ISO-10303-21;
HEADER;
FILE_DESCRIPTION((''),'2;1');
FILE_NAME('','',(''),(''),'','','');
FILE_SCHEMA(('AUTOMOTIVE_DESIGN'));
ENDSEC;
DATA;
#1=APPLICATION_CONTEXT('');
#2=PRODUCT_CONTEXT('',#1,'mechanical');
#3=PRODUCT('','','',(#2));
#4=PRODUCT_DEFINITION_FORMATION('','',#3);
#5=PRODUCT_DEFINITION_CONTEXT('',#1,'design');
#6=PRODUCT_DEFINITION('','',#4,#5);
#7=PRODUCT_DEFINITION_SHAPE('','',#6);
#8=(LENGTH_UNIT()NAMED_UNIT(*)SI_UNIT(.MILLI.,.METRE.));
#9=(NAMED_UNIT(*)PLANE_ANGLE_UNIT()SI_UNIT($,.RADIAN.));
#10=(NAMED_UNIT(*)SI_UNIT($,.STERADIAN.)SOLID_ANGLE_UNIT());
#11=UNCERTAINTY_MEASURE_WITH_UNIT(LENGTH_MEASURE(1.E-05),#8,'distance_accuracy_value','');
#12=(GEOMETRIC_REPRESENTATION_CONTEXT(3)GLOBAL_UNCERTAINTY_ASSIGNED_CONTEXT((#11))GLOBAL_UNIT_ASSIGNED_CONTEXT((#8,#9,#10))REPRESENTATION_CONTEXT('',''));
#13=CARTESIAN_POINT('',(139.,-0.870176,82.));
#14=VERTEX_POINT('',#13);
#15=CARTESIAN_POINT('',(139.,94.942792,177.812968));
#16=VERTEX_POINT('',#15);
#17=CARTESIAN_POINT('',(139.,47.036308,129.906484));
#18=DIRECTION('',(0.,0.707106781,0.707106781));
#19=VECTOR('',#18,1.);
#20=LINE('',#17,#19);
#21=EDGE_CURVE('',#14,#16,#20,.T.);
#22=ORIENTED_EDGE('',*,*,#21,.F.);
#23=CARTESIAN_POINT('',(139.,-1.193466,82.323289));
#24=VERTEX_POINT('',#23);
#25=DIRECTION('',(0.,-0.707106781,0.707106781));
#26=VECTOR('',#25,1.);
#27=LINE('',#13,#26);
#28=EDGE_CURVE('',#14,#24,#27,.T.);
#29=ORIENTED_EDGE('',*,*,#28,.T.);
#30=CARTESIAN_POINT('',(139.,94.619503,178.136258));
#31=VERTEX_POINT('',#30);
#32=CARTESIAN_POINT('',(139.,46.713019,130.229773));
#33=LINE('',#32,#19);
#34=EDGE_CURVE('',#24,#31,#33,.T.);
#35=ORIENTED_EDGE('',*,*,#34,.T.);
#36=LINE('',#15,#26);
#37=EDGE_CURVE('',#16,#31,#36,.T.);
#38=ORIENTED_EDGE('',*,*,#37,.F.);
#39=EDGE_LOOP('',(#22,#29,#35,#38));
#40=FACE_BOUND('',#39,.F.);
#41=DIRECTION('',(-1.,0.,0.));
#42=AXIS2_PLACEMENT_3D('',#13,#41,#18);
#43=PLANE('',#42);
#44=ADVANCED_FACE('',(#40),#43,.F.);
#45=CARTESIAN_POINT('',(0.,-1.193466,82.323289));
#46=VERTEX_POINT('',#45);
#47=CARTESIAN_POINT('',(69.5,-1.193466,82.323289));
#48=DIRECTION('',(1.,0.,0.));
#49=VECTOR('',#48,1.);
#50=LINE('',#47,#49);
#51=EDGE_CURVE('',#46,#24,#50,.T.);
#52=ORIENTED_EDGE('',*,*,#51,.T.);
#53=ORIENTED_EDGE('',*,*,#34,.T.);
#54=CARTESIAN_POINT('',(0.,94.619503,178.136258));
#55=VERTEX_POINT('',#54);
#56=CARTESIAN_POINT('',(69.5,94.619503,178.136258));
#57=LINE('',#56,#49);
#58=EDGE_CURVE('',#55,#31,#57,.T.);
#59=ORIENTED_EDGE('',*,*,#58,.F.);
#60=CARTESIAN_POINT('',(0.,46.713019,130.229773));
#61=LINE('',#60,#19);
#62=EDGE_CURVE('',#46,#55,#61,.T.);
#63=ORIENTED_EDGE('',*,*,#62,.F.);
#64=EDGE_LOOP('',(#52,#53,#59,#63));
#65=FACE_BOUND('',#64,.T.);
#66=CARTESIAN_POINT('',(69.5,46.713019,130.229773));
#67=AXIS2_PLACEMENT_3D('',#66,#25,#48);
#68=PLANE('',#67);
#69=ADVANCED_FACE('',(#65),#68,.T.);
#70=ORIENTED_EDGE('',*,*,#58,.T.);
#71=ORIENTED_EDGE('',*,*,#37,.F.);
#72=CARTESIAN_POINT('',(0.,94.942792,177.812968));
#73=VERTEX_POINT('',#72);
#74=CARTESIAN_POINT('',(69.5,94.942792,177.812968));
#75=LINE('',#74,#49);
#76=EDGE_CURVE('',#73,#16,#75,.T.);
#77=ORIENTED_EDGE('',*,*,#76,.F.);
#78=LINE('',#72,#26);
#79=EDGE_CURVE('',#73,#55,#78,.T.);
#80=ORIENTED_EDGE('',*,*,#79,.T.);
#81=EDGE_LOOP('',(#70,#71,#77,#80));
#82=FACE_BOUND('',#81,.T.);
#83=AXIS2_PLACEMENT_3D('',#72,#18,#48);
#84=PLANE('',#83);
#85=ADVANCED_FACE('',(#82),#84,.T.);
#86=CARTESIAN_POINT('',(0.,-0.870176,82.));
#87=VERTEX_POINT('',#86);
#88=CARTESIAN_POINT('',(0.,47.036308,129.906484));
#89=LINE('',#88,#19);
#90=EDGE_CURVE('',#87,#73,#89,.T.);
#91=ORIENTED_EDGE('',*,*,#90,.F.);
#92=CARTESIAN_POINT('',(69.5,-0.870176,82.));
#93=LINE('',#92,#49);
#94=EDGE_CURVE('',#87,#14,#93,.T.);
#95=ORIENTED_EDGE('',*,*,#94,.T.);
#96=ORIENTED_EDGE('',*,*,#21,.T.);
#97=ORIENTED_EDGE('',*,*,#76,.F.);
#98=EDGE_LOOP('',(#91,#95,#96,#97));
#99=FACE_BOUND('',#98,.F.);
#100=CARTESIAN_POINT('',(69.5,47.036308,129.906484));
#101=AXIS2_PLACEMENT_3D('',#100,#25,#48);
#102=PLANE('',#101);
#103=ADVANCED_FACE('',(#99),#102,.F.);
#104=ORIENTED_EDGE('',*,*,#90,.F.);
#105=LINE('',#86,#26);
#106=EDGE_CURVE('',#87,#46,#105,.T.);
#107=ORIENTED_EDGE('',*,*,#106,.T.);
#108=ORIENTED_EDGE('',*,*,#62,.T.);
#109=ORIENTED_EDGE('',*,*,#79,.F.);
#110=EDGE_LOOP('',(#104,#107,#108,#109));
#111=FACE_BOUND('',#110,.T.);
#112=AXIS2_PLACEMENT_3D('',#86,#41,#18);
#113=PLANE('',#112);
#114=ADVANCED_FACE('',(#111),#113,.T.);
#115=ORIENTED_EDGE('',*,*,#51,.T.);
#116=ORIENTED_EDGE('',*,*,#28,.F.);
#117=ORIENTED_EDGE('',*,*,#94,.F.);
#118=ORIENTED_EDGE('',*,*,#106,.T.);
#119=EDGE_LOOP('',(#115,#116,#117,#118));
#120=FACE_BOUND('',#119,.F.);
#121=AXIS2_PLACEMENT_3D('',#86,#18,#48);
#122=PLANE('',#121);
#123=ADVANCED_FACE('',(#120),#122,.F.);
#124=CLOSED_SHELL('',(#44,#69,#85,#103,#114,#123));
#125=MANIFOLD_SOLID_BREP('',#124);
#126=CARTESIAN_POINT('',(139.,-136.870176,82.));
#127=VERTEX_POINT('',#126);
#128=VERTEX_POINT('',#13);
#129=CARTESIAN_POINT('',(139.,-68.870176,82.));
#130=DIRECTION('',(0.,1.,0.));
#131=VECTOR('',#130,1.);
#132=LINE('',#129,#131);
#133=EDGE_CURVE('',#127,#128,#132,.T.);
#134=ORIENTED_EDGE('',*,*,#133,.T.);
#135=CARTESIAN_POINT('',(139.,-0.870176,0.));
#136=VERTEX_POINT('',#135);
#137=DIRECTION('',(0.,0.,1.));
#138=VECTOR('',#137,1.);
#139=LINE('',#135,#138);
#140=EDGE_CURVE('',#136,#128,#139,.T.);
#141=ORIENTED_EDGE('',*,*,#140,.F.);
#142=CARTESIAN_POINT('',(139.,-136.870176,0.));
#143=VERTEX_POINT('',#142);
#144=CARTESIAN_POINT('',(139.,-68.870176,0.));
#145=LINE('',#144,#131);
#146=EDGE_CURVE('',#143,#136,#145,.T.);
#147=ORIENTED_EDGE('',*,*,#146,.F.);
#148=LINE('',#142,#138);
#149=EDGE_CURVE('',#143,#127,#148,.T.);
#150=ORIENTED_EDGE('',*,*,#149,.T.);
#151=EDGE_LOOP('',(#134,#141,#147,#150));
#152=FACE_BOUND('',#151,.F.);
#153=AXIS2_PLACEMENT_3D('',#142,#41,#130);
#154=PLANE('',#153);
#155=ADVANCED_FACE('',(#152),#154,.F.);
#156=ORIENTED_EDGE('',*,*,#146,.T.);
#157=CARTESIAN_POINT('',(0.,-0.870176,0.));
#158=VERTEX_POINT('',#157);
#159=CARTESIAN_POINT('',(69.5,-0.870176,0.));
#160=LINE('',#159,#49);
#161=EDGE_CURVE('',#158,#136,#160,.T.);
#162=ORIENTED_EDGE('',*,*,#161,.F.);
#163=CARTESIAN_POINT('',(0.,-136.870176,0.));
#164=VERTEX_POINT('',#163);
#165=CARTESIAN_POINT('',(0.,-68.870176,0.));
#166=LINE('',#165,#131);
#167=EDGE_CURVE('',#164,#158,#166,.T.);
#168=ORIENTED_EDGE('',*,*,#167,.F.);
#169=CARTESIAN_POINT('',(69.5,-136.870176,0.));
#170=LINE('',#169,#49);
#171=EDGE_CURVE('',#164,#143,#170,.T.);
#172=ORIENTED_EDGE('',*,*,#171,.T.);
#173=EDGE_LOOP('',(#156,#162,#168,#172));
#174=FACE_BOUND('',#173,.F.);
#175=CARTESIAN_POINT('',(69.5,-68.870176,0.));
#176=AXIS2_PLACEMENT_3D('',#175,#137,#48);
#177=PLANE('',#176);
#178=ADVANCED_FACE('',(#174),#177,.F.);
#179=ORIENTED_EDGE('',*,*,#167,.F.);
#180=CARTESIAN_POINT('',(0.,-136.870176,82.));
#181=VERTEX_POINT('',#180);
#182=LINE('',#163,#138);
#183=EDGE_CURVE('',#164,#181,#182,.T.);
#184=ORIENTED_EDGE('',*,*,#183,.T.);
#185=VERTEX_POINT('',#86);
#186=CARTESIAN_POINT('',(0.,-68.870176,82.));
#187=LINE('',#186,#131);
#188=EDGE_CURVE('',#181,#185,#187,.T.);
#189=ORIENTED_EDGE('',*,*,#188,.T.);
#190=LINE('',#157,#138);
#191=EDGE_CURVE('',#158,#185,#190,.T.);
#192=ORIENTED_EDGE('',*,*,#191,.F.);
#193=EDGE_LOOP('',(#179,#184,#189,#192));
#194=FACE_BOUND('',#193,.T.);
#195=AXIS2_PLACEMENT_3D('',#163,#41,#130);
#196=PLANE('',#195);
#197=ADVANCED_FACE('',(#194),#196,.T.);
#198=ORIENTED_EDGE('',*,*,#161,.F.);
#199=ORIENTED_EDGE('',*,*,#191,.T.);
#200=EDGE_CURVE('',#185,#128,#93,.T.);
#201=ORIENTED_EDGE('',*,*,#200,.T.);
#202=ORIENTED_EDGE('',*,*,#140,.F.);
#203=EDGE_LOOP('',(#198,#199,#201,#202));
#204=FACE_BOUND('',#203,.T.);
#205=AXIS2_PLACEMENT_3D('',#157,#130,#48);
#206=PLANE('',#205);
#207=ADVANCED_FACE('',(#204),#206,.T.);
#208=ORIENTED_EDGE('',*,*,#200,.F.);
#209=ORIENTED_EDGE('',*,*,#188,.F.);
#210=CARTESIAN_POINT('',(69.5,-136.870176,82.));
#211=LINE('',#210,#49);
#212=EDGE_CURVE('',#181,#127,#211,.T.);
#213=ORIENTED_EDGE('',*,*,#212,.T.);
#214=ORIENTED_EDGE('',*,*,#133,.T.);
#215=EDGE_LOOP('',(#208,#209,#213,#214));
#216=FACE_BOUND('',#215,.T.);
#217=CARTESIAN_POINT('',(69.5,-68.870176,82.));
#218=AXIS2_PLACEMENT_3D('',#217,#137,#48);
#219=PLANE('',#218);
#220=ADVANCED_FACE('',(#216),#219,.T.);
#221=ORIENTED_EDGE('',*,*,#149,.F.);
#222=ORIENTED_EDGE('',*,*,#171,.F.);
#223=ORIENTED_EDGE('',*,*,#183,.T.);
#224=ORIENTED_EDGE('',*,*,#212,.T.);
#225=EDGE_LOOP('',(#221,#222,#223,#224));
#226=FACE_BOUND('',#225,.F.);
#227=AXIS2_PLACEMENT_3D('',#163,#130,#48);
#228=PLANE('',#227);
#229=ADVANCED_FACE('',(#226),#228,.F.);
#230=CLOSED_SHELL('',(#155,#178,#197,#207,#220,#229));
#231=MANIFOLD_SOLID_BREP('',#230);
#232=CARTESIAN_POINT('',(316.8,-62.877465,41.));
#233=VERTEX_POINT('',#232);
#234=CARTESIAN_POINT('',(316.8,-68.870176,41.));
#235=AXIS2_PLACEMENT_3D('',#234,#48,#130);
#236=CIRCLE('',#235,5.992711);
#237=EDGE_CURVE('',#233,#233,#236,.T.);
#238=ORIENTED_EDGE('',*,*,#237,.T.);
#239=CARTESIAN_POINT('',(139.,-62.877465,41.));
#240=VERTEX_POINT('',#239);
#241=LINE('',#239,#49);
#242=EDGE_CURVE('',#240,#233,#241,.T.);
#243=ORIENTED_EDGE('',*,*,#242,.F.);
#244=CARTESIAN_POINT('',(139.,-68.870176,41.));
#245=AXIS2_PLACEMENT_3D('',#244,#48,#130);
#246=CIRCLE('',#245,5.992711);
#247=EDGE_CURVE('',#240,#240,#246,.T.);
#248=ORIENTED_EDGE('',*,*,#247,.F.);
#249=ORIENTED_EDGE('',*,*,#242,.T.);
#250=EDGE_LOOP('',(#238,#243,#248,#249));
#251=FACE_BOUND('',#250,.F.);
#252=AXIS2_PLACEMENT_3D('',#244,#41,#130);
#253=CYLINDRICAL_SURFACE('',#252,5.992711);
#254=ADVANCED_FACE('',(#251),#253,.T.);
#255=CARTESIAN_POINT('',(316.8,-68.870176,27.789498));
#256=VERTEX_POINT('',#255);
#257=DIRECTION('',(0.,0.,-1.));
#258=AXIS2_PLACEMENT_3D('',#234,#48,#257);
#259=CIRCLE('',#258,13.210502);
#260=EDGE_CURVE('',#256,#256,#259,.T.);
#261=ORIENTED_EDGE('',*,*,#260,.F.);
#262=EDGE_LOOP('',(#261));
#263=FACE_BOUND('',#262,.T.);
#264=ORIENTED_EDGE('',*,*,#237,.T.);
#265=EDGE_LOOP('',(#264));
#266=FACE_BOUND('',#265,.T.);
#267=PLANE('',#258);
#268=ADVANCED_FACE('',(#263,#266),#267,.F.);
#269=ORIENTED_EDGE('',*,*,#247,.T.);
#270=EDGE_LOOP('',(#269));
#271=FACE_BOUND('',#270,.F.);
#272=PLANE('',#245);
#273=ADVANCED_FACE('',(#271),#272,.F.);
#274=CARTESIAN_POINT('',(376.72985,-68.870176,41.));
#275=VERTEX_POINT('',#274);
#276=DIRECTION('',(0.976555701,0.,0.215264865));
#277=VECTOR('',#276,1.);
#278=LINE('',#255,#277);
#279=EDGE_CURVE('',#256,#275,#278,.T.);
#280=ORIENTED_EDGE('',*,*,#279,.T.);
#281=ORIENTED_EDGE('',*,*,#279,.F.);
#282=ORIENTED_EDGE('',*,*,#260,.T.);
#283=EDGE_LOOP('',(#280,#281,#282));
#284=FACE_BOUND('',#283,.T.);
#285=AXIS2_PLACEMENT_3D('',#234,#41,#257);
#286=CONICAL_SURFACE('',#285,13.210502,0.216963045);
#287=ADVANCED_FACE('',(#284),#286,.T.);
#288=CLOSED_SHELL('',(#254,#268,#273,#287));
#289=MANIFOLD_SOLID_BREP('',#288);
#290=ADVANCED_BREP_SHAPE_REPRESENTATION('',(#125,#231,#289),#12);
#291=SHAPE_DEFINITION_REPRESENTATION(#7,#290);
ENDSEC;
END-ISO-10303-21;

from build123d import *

# Parameters (mm, degrees)
F0_W     = 139
F0_H     = 136
F1_DEPTH = 82
F3_W     = 139
F3_H     = 135.5
F4_DEPTH = 0.4572
F5_R     = 5.992711
F6_DEPTH = 177.8


with BuildPart() as f1:
    # F0 (on Top) → F1 (new body)
    with BuildSketch(Plane.XY):
        with Locations((69.5, -68.870176)):
            Rectangle(F0_W, F0_H)
    extrude(amount=F1_DEPTH)


with BuildPart() as f4:
    # F3 (on face) → F4 (new body)
    with BuildSketch(Plane(origin=(0, -41.435088, 41.435088), x_dir=(1, 0, 0), z_dir=(0, -0.707107, 0.707107))):
        with Locations((69.5, 125.117448)):
            Rectangle(F3_W, F3_H)
    extrude(amount=F4_DEPTH)


with BuildPart() as f6:
    # F5 (on face) → F6 (new body)
    with BuildSketch(Plane.YZ.offset(139)):
        with Locations((-68.870176, 41)):
            Circle(F5_R)
    extrude(amount=F6_DEPTH)

    # F8 (on face) → F9 (revolve)
    with BuildSketch(Plane.XZ.offset(68.870176)):
        Polygon((376.72985, 41), (316.8, 41), (316.8, 27.789498), align=None)
    revolve(axis=Axis((227.9, -68.870176, 41), (1, 0, 0)))


solid = Compound([f1.part, f4.part, f6.part])
